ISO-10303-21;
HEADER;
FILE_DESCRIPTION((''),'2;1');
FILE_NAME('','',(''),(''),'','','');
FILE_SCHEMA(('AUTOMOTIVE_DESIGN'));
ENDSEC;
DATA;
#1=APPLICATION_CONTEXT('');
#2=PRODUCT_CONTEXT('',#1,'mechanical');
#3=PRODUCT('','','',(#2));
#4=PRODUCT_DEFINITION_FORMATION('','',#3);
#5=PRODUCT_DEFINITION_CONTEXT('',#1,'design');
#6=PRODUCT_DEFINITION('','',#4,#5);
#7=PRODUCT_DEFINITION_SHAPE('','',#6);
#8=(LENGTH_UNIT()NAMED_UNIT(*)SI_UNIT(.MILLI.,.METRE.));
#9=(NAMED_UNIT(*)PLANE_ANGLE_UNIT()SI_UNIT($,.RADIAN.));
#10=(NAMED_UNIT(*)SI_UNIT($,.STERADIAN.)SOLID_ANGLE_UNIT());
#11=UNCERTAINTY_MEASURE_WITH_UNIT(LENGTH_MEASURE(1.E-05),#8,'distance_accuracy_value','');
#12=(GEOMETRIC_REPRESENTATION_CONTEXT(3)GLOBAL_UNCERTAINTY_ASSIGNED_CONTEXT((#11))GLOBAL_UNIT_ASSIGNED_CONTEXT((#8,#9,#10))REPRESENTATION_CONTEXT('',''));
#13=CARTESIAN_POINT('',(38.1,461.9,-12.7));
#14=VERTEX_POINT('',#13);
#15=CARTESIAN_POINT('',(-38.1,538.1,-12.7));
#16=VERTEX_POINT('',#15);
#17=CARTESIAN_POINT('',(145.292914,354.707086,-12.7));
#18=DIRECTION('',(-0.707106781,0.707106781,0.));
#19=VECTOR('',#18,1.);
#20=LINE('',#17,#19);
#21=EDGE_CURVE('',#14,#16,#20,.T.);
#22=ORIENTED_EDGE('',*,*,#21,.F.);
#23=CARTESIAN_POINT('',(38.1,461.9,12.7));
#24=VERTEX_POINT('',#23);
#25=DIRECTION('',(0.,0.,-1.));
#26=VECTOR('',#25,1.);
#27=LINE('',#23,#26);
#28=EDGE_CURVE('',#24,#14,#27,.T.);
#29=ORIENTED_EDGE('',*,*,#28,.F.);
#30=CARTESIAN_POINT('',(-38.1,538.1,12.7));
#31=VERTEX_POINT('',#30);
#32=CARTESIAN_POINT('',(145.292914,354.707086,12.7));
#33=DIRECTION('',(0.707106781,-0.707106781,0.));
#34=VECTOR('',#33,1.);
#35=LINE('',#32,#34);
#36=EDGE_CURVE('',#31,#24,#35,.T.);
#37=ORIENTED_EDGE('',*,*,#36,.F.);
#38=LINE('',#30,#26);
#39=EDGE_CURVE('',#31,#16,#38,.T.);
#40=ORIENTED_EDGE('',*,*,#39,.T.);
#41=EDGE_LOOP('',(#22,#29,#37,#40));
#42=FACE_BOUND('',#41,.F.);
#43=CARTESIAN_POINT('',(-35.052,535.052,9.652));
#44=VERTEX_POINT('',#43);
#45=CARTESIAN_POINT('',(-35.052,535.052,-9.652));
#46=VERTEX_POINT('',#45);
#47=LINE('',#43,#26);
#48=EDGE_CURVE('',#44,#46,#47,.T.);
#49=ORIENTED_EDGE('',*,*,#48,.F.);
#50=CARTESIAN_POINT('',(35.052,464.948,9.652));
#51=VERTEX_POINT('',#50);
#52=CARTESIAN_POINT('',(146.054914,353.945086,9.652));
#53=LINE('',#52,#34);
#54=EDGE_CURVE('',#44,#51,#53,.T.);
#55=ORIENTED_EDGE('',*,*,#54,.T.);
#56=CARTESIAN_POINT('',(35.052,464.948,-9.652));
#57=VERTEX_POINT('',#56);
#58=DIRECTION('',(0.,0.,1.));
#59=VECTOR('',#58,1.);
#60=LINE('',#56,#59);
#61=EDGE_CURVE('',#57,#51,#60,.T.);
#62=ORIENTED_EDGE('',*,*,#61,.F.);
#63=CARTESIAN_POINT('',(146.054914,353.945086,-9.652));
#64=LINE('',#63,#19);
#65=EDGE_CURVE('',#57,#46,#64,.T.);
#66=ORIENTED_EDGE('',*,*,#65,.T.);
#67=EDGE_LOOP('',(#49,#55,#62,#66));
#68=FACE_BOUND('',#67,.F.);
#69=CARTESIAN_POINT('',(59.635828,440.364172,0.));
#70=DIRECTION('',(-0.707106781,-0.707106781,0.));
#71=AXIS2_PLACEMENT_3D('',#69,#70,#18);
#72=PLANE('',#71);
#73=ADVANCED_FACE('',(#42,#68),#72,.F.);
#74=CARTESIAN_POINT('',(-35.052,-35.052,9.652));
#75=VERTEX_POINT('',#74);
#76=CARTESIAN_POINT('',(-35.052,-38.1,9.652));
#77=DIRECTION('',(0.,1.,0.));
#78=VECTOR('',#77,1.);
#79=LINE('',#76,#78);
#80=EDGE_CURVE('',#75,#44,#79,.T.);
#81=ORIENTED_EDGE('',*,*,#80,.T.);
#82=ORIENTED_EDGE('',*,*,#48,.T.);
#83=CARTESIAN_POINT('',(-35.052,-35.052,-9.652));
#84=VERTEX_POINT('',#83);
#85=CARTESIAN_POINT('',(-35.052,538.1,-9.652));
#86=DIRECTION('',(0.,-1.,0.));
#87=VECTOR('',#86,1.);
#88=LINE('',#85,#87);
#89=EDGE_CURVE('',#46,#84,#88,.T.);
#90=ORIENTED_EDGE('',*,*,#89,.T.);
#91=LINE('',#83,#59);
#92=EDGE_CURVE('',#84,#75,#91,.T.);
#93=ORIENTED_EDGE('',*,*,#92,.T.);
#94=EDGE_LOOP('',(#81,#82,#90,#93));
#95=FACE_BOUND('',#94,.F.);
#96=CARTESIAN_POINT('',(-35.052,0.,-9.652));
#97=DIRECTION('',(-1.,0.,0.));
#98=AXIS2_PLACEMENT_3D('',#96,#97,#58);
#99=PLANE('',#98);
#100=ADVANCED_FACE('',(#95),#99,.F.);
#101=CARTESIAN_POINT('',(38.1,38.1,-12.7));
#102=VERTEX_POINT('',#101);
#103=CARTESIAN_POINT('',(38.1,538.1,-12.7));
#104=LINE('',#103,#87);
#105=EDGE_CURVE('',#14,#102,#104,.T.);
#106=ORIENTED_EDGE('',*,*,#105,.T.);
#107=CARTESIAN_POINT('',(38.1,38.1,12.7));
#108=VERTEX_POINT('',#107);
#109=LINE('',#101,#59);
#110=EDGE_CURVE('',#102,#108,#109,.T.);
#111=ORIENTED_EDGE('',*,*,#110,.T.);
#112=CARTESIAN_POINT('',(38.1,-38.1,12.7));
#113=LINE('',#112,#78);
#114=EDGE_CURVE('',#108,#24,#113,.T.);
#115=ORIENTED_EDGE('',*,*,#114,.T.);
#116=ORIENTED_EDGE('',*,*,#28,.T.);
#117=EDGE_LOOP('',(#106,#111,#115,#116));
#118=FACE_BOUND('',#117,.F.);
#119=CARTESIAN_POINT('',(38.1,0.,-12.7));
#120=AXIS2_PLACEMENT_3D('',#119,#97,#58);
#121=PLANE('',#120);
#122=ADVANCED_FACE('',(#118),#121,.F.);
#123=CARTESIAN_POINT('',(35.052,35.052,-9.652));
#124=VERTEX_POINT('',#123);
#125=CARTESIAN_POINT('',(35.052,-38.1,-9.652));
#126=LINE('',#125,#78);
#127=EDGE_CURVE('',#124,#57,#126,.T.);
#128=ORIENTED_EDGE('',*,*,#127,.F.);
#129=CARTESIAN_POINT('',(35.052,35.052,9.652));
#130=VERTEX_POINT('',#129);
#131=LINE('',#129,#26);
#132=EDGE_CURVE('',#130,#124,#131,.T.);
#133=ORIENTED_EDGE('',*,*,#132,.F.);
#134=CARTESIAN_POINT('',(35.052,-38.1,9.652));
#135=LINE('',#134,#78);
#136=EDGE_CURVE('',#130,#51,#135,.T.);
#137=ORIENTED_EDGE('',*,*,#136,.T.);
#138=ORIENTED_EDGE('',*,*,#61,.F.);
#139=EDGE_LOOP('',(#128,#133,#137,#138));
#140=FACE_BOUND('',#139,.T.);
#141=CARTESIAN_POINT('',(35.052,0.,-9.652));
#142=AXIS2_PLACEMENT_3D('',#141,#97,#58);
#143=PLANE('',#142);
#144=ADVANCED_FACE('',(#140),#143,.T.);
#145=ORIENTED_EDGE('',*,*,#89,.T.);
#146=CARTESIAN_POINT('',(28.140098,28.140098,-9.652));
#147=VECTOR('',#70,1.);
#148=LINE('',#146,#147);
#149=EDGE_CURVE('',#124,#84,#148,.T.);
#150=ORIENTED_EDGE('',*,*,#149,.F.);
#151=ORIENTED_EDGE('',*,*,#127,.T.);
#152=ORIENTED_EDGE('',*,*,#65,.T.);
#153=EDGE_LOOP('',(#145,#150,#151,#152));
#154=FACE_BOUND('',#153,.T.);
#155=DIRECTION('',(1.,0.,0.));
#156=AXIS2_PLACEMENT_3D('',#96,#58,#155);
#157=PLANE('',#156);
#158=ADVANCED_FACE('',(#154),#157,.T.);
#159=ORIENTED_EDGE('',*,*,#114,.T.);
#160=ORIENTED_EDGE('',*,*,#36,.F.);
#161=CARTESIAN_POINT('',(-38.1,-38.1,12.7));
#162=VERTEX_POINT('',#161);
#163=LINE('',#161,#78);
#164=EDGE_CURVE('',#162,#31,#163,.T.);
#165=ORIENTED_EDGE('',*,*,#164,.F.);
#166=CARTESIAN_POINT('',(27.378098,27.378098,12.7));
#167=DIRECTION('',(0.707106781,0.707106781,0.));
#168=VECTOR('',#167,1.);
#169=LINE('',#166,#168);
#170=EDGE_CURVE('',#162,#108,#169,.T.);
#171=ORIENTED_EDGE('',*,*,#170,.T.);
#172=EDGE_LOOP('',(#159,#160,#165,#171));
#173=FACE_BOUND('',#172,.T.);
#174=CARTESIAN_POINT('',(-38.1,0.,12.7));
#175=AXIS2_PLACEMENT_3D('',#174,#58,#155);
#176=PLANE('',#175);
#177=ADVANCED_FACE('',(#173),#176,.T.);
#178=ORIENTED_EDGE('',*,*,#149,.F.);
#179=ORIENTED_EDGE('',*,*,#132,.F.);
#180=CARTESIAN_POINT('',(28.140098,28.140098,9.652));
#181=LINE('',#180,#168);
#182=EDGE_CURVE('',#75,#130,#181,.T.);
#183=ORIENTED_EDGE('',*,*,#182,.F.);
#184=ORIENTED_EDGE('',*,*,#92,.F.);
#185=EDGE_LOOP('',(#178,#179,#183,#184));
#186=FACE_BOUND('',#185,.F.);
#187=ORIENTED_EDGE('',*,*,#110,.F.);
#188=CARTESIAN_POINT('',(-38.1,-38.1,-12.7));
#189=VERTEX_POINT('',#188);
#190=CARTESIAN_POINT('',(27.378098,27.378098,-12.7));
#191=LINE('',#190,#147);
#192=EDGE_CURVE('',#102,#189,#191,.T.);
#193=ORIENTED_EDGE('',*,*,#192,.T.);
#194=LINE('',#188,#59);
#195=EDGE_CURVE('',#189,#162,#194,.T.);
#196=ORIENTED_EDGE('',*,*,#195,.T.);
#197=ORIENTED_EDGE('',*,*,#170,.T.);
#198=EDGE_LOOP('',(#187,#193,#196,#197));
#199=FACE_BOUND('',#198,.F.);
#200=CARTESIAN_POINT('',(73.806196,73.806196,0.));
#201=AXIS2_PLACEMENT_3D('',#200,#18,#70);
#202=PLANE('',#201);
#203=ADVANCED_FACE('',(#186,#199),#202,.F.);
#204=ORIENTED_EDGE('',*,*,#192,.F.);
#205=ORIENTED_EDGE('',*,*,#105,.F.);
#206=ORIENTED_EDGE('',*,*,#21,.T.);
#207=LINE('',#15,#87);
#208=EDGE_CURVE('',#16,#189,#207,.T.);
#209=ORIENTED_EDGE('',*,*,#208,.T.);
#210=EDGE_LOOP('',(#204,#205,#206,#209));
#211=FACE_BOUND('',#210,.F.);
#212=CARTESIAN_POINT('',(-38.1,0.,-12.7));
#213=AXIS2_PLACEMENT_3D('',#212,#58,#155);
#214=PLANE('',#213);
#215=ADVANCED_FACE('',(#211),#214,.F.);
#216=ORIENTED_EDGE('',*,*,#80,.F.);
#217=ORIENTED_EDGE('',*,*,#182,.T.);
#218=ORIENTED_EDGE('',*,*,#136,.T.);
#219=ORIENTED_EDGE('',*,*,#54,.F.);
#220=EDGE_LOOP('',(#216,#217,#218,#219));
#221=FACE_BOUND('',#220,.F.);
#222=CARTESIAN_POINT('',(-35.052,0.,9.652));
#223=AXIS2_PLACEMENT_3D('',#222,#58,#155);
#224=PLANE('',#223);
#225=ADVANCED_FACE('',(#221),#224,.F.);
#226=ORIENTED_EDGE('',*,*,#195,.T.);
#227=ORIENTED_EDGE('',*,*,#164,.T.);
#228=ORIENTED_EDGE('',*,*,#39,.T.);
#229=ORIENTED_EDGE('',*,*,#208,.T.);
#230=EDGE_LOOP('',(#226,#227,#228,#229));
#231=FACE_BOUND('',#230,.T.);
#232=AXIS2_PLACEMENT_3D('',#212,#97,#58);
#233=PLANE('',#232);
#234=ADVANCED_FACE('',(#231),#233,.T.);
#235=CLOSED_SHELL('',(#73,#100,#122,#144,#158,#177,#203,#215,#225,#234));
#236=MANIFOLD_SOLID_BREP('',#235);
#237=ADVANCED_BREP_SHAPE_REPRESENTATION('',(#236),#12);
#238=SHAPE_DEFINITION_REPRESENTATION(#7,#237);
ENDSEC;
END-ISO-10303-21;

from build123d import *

# Parameters (mm, degrees)
SKETCH1_W               = 76.2
SKETCH1_H               = 25.4
SKETCH1_W_2             = 70.104
SKETCH1_H_2             = 19.304
BOSS_EXTRUDE1_DEPTH     = 500
SKETCH3_W               = 76.2
SKETCH3_H               = 25.4
SKETCH3_W_2             = 70.104
SKETCH3_H_2             = 19.304
BOSS_EXTRUDE2_DEPTH     = 38.1
SKETCH4_W               = 76.2
SKETCH4_H               = 25.4
SKETCH4_W_2             = 70.104
SKETCH4_H_2             = 19.304
BOSS_EXTRUDE3_DEPTH     = 38.1
CUT_EXTRUDE1_DEPTH      = 13.7
CUT_EXTRUDE1_DEPTH_BACK = 13.7


with BuildPart() as part:
    # Sketch1 → Boss-Extrude1 (new body)
    with BuildSketch(Plane(origin=(0, 0, 0), x_dir=(1, 0, 0), z_dir=(0, 1, 0))):
        Rectangle(SKETCH1_W, SKETCH1_H)
        Rectangle(SKETCH1_W_2, SKETCH1_H_2, mode=Mode.SUBTRACT)
    extrude(amount=BOSS_EXTRUDE1_DEPTH)

    # Sketch3 → Boss-Extrude2 (add)
    with BuildSketch(Plane(origin=(0, 500, 0), x_dir=(1, 0, 0), z_dir=(0, 1, 0))):
        Rectangle(SKETCH3_W, SKETCH3_H)
        Rectangle(SKETCH3_W_2, SKETCH3_H_2, mode=Mode.SUBTRACT)
    extrude(amount=BOSS_EXTRUDE2_DEPTH)

    # Sketch4 → Boss-Extrude3 (add)
    with BuildSketch(Plane.XZ):
        Rectangle(SKETCH4_W, SKETCH4_H)
        Rectangle(SKETCH4_W_2, SKETCH4_H_2, mode=Mode.SUBTRACT)
    extrude(amount=BOSS_EXTRUDE3_DEPTH)

    # Sketch5 → Cut-Extrude1 (cut, two sides)
    with BuildSketch(Plane.XY) as cut_extrude1_sk:
        Polygon((73.806196074, 73.806196074), (-85.540329475, -85.540329475), (73.806196074, -85.540329475), align=None)
        Polygon((59.635828429, 440.364171571), (-60.966910251, 560.966910251), (59.635828429, 560.966910251), align=None)
    extrude(amount=CUT_EXTRUDE1_DEPTH, mode=Mode.SUBTRACT)
    extrude(cut_extrude1_sk.sketch, amount=-CUT_EXTRUDE1_DEPTH_BACK, mode=Mode.SUBTRACT)


solid = part.part
